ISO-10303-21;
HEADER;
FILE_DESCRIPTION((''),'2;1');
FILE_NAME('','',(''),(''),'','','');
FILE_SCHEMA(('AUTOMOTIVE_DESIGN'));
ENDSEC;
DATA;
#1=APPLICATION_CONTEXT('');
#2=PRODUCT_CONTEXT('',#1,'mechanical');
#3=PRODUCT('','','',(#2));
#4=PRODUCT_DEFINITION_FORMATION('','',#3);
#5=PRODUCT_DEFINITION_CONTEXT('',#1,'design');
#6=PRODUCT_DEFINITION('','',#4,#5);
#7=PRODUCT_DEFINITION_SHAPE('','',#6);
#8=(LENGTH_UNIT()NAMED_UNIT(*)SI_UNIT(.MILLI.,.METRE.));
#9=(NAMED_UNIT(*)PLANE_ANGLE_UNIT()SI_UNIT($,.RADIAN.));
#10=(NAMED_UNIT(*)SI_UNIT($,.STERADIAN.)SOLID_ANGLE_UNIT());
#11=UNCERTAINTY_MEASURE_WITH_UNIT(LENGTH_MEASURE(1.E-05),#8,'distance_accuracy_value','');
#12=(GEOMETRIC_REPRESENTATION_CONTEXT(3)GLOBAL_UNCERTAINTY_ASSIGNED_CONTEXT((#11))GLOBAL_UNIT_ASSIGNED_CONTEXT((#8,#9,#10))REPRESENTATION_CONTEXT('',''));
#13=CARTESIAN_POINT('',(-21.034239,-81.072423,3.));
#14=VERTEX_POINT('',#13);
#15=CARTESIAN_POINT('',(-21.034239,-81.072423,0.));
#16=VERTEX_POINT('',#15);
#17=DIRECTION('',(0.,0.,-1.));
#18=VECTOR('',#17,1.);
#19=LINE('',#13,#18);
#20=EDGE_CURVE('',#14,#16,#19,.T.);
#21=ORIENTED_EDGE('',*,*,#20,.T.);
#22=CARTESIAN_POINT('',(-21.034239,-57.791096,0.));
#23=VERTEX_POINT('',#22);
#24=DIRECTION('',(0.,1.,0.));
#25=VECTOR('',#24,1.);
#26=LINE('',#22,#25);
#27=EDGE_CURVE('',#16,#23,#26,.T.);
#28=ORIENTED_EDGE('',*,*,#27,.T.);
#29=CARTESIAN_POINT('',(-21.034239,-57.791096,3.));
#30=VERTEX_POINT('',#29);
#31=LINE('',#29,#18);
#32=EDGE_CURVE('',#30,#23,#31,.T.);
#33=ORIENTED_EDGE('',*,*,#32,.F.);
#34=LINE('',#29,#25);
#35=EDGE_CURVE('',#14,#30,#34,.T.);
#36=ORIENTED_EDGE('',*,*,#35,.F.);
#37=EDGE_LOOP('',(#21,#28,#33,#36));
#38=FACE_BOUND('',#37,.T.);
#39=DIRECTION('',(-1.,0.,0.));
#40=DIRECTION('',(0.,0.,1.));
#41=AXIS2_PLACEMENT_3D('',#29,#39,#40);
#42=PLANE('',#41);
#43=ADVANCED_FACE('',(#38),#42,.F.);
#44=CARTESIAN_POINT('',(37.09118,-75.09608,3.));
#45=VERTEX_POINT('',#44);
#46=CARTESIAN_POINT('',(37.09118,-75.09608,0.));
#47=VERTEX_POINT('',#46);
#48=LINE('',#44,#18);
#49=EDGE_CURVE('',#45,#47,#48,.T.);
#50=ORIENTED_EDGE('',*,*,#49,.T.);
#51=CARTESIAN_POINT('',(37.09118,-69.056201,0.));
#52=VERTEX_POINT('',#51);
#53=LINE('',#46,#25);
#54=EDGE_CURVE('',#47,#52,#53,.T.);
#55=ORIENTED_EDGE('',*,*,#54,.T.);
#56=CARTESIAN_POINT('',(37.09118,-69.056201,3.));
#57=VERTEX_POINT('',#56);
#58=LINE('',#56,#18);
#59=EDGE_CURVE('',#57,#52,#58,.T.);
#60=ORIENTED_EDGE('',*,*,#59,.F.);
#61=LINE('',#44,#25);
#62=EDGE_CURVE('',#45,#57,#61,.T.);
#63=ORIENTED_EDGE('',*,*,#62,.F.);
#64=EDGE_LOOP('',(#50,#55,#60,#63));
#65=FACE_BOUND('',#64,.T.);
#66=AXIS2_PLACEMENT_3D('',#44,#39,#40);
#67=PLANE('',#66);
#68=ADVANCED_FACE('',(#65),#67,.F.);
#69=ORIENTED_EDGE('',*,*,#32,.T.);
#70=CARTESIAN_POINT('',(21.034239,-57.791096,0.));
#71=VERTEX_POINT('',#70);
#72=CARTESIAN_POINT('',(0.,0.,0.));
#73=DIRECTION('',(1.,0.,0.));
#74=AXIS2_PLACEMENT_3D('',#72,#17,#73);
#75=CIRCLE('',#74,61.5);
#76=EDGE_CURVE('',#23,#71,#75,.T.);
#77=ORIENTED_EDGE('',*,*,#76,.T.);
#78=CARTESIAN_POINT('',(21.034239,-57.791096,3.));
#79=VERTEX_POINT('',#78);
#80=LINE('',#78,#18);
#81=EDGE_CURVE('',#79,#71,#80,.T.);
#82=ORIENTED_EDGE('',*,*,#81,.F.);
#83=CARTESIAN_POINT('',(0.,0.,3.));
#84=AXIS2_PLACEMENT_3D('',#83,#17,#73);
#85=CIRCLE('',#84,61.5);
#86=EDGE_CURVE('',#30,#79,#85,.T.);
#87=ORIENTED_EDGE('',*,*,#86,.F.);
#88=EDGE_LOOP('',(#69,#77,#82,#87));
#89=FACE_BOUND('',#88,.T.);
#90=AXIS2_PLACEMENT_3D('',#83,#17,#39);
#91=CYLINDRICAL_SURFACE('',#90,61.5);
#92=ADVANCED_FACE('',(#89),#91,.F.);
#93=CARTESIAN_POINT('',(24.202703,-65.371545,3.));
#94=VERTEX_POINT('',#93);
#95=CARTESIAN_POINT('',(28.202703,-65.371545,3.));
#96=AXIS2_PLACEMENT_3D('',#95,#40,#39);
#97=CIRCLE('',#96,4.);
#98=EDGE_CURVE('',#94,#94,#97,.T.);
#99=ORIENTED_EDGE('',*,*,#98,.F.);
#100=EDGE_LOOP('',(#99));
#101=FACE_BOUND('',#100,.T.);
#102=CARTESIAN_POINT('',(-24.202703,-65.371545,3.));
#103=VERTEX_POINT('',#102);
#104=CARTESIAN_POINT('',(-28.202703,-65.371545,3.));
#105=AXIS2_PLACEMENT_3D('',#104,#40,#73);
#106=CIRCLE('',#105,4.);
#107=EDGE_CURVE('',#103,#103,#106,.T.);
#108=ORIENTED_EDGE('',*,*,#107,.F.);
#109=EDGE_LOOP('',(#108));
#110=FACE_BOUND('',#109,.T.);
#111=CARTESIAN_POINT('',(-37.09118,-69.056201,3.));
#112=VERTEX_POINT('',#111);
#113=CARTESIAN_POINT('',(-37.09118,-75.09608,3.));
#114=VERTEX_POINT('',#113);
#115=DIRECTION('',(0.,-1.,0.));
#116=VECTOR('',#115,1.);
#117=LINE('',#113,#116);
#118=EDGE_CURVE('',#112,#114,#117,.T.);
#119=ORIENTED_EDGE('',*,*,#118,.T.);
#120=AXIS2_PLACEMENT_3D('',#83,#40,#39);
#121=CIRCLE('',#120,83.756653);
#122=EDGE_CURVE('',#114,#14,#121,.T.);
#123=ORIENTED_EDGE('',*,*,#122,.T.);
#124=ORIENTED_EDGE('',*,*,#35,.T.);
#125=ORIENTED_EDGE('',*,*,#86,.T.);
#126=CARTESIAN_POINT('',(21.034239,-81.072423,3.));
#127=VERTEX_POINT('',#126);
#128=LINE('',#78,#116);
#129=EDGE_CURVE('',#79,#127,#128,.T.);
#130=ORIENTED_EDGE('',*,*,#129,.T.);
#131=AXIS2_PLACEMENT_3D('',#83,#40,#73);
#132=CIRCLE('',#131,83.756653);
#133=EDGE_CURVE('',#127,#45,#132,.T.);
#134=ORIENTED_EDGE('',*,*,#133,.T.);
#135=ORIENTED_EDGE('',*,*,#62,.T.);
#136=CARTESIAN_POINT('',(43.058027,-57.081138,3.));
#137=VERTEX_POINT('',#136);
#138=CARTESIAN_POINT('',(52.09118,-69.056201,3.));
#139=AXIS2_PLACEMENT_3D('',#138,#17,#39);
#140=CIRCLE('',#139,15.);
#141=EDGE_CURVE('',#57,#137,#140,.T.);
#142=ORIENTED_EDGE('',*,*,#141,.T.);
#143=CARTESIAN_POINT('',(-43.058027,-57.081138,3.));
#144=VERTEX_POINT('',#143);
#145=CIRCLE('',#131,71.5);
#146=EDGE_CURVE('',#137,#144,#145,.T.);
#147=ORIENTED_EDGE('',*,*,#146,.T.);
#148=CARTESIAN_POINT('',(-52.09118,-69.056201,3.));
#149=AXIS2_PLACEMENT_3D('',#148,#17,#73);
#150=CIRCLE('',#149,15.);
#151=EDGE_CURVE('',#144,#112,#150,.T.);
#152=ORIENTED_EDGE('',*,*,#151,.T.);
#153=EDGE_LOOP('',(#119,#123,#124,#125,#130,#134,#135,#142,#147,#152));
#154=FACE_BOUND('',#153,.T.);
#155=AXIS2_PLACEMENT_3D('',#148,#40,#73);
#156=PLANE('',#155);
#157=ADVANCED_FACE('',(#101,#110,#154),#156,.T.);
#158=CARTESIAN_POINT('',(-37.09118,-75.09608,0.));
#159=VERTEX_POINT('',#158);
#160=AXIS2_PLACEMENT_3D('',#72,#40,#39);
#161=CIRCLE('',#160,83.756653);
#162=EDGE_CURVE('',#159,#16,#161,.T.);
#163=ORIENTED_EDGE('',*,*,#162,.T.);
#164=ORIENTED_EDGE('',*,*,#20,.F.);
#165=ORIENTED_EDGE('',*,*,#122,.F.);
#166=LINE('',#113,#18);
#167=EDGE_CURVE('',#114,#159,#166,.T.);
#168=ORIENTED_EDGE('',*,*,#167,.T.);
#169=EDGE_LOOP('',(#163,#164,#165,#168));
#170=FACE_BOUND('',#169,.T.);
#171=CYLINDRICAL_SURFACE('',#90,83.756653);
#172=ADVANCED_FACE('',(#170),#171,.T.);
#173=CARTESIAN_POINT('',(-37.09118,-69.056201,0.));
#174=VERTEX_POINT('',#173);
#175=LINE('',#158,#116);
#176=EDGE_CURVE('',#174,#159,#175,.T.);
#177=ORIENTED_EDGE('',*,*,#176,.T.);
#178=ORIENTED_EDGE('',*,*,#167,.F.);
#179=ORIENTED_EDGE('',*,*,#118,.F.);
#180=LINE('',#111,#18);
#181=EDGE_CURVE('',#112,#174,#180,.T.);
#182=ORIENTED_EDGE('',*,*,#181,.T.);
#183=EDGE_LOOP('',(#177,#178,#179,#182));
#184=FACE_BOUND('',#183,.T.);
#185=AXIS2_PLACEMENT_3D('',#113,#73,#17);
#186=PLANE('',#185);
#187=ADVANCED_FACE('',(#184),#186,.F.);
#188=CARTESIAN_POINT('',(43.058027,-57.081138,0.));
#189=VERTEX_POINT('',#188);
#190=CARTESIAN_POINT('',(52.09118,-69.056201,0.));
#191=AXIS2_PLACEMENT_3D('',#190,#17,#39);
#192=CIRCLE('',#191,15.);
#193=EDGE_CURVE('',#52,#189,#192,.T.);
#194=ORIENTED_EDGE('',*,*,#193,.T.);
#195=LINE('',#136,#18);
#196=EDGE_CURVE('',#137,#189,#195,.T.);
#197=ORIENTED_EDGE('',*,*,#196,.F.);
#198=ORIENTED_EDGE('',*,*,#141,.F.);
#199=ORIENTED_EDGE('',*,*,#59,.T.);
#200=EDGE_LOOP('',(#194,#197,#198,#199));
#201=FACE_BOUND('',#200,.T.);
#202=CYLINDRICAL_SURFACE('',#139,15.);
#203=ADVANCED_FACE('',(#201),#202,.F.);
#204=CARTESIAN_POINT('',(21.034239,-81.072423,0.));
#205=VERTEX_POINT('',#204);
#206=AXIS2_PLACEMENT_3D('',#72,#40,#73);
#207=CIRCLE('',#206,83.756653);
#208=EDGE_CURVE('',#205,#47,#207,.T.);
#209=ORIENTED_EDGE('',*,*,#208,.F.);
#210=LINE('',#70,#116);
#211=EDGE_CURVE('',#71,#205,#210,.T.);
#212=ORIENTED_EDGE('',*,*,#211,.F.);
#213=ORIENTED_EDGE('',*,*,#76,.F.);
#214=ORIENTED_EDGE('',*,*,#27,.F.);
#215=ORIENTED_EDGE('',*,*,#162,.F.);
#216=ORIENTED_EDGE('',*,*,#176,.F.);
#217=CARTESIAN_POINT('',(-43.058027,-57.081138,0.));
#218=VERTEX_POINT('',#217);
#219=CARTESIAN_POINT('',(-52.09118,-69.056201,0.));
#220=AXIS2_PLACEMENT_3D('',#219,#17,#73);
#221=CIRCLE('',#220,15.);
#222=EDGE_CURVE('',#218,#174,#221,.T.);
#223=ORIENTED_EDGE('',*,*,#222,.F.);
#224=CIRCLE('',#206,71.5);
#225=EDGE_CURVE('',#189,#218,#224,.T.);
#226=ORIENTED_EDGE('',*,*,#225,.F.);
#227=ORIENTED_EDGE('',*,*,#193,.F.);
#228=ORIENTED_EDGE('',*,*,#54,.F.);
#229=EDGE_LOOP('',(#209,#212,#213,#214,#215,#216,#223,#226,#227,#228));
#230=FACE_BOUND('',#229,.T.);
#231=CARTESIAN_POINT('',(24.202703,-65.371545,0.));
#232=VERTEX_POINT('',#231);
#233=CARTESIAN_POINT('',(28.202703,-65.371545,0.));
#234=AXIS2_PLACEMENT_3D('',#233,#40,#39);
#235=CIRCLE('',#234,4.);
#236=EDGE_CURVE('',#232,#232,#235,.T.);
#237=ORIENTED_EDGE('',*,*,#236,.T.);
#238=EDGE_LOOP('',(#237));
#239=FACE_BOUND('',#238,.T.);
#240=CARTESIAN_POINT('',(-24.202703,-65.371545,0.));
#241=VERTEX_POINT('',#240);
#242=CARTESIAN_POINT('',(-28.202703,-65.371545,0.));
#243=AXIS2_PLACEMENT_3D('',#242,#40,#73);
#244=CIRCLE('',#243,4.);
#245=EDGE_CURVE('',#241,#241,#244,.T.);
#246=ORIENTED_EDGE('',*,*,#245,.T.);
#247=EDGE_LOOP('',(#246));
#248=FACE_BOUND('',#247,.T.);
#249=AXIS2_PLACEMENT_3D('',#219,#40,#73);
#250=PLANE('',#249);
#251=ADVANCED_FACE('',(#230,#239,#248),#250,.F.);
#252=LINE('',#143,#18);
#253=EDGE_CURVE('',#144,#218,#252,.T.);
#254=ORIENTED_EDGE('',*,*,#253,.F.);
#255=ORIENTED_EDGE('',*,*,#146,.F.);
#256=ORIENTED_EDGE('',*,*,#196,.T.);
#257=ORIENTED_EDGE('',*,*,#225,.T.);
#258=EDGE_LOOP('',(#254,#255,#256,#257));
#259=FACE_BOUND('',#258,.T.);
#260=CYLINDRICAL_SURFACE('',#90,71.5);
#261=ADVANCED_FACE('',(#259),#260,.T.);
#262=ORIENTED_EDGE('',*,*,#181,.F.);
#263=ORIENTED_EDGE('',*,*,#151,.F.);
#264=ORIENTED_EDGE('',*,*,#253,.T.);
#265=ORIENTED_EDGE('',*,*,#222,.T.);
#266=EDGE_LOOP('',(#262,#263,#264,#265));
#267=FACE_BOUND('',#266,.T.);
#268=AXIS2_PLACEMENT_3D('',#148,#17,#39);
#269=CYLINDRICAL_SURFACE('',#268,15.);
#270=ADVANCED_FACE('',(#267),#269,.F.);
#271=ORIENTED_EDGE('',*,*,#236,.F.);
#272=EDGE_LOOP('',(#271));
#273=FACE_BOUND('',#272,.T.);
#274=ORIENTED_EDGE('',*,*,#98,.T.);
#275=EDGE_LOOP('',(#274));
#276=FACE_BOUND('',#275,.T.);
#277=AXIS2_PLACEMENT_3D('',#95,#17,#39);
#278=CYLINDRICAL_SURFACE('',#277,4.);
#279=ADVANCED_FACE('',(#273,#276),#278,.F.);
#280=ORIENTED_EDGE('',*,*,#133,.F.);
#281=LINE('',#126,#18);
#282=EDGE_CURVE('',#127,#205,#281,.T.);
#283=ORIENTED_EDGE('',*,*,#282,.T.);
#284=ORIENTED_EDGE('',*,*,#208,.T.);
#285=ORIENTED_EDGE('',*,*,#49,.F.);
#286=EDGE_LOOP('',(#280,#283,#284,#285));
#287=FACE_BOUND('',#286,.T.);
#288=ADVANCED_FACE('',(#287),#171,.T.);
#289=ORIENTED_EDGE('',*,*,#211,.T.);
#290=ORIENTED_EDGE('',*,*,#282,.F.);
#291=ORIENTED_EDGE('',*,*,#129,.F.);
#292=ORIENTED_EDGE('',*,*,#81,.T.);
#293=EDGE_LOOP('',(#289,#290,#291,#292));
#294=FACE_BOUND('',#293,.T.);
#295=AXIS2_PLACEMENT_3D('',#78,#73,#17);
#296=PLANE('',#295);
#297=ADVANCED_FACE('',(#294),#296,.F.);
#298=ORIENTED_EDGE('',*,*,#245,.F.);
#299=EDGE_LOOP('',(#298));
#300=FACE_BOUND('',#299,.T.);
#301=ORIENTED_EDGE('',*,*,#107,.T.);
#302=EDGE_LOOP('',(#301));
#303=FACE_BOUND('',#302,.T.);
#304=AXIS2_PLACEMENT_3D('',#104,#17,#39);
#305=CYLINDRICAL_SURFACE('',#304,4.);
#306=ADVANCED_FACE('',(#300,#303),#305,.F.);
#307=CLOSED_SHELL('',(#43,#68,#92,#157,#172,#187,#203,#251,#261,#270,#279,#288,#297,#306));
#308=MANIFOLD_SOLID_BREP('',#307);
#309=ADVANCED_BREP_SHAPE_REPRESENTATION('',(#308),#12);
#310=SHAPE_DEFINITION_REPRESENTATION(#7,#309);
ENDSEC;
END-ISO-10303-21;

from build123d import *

# Parameters (mm, degrees)
ESQUISSE1_R        = 4
BOSS_EXTRU_1_DEPTH = 3


with BuildPart() as part:
    # Esquisse1 → Boss.-Extru.1 (new body)
    with BuildSketch(Plane.XY):
        with BuildLine():
            Line((-21.034238815, -57.791096178), (-21.034238815, -81.072422518))
            ThreePointArc((-21.034238815, -81.072422518), (-29.215924567, -78.495902105), (-37.091180109, -75.096080148))
            Line((-37.091180109, -75.096080148), (-37.091180109, -69.056201422))
            ThreePointArc((-37.091180109, -69.056201422), (-38.665509003, -62.366556039), (-43.058027489, -57.081137592))
            ThreePointArc((-43.058027489, -57.081137592), (0, 71.5), (43.058027489, -57.081137592))
            ThreePointArc((43.058027489, -57.081137592), (38.665509003, -62.366556039), (37.091180109, -69.056201422))
            Line((37.091180109, -69.056201422), (37.091180109, -75.096080148))
            ThreePointArc((37.091180109, -75.096080148), (29.215924567, -78.495902105), (21.034238815, -81.072422518))
            Line((21.034238815, -81.072422518), (21.034238815, -57.791096178))
            ThreePointArc((21.034238815, -57.791096178), (0, 61.5), (-21.034238815, -57.791096178))
        make_face()
        with Locations((-28.202703448, -65.371545378)):
            Circle(ESQUISSE1_R, mode=Mode.SUBTRACT)
        with Locations(Location((28.202703448, -65.371545378, 0), (0, 0, 180))):
            Circle(ESQUISSE1_R, mode=Mode.SUBTRACT)
    extrude(amount=BOSS_EXTRU_1_DEPTH)


solid = part.part
